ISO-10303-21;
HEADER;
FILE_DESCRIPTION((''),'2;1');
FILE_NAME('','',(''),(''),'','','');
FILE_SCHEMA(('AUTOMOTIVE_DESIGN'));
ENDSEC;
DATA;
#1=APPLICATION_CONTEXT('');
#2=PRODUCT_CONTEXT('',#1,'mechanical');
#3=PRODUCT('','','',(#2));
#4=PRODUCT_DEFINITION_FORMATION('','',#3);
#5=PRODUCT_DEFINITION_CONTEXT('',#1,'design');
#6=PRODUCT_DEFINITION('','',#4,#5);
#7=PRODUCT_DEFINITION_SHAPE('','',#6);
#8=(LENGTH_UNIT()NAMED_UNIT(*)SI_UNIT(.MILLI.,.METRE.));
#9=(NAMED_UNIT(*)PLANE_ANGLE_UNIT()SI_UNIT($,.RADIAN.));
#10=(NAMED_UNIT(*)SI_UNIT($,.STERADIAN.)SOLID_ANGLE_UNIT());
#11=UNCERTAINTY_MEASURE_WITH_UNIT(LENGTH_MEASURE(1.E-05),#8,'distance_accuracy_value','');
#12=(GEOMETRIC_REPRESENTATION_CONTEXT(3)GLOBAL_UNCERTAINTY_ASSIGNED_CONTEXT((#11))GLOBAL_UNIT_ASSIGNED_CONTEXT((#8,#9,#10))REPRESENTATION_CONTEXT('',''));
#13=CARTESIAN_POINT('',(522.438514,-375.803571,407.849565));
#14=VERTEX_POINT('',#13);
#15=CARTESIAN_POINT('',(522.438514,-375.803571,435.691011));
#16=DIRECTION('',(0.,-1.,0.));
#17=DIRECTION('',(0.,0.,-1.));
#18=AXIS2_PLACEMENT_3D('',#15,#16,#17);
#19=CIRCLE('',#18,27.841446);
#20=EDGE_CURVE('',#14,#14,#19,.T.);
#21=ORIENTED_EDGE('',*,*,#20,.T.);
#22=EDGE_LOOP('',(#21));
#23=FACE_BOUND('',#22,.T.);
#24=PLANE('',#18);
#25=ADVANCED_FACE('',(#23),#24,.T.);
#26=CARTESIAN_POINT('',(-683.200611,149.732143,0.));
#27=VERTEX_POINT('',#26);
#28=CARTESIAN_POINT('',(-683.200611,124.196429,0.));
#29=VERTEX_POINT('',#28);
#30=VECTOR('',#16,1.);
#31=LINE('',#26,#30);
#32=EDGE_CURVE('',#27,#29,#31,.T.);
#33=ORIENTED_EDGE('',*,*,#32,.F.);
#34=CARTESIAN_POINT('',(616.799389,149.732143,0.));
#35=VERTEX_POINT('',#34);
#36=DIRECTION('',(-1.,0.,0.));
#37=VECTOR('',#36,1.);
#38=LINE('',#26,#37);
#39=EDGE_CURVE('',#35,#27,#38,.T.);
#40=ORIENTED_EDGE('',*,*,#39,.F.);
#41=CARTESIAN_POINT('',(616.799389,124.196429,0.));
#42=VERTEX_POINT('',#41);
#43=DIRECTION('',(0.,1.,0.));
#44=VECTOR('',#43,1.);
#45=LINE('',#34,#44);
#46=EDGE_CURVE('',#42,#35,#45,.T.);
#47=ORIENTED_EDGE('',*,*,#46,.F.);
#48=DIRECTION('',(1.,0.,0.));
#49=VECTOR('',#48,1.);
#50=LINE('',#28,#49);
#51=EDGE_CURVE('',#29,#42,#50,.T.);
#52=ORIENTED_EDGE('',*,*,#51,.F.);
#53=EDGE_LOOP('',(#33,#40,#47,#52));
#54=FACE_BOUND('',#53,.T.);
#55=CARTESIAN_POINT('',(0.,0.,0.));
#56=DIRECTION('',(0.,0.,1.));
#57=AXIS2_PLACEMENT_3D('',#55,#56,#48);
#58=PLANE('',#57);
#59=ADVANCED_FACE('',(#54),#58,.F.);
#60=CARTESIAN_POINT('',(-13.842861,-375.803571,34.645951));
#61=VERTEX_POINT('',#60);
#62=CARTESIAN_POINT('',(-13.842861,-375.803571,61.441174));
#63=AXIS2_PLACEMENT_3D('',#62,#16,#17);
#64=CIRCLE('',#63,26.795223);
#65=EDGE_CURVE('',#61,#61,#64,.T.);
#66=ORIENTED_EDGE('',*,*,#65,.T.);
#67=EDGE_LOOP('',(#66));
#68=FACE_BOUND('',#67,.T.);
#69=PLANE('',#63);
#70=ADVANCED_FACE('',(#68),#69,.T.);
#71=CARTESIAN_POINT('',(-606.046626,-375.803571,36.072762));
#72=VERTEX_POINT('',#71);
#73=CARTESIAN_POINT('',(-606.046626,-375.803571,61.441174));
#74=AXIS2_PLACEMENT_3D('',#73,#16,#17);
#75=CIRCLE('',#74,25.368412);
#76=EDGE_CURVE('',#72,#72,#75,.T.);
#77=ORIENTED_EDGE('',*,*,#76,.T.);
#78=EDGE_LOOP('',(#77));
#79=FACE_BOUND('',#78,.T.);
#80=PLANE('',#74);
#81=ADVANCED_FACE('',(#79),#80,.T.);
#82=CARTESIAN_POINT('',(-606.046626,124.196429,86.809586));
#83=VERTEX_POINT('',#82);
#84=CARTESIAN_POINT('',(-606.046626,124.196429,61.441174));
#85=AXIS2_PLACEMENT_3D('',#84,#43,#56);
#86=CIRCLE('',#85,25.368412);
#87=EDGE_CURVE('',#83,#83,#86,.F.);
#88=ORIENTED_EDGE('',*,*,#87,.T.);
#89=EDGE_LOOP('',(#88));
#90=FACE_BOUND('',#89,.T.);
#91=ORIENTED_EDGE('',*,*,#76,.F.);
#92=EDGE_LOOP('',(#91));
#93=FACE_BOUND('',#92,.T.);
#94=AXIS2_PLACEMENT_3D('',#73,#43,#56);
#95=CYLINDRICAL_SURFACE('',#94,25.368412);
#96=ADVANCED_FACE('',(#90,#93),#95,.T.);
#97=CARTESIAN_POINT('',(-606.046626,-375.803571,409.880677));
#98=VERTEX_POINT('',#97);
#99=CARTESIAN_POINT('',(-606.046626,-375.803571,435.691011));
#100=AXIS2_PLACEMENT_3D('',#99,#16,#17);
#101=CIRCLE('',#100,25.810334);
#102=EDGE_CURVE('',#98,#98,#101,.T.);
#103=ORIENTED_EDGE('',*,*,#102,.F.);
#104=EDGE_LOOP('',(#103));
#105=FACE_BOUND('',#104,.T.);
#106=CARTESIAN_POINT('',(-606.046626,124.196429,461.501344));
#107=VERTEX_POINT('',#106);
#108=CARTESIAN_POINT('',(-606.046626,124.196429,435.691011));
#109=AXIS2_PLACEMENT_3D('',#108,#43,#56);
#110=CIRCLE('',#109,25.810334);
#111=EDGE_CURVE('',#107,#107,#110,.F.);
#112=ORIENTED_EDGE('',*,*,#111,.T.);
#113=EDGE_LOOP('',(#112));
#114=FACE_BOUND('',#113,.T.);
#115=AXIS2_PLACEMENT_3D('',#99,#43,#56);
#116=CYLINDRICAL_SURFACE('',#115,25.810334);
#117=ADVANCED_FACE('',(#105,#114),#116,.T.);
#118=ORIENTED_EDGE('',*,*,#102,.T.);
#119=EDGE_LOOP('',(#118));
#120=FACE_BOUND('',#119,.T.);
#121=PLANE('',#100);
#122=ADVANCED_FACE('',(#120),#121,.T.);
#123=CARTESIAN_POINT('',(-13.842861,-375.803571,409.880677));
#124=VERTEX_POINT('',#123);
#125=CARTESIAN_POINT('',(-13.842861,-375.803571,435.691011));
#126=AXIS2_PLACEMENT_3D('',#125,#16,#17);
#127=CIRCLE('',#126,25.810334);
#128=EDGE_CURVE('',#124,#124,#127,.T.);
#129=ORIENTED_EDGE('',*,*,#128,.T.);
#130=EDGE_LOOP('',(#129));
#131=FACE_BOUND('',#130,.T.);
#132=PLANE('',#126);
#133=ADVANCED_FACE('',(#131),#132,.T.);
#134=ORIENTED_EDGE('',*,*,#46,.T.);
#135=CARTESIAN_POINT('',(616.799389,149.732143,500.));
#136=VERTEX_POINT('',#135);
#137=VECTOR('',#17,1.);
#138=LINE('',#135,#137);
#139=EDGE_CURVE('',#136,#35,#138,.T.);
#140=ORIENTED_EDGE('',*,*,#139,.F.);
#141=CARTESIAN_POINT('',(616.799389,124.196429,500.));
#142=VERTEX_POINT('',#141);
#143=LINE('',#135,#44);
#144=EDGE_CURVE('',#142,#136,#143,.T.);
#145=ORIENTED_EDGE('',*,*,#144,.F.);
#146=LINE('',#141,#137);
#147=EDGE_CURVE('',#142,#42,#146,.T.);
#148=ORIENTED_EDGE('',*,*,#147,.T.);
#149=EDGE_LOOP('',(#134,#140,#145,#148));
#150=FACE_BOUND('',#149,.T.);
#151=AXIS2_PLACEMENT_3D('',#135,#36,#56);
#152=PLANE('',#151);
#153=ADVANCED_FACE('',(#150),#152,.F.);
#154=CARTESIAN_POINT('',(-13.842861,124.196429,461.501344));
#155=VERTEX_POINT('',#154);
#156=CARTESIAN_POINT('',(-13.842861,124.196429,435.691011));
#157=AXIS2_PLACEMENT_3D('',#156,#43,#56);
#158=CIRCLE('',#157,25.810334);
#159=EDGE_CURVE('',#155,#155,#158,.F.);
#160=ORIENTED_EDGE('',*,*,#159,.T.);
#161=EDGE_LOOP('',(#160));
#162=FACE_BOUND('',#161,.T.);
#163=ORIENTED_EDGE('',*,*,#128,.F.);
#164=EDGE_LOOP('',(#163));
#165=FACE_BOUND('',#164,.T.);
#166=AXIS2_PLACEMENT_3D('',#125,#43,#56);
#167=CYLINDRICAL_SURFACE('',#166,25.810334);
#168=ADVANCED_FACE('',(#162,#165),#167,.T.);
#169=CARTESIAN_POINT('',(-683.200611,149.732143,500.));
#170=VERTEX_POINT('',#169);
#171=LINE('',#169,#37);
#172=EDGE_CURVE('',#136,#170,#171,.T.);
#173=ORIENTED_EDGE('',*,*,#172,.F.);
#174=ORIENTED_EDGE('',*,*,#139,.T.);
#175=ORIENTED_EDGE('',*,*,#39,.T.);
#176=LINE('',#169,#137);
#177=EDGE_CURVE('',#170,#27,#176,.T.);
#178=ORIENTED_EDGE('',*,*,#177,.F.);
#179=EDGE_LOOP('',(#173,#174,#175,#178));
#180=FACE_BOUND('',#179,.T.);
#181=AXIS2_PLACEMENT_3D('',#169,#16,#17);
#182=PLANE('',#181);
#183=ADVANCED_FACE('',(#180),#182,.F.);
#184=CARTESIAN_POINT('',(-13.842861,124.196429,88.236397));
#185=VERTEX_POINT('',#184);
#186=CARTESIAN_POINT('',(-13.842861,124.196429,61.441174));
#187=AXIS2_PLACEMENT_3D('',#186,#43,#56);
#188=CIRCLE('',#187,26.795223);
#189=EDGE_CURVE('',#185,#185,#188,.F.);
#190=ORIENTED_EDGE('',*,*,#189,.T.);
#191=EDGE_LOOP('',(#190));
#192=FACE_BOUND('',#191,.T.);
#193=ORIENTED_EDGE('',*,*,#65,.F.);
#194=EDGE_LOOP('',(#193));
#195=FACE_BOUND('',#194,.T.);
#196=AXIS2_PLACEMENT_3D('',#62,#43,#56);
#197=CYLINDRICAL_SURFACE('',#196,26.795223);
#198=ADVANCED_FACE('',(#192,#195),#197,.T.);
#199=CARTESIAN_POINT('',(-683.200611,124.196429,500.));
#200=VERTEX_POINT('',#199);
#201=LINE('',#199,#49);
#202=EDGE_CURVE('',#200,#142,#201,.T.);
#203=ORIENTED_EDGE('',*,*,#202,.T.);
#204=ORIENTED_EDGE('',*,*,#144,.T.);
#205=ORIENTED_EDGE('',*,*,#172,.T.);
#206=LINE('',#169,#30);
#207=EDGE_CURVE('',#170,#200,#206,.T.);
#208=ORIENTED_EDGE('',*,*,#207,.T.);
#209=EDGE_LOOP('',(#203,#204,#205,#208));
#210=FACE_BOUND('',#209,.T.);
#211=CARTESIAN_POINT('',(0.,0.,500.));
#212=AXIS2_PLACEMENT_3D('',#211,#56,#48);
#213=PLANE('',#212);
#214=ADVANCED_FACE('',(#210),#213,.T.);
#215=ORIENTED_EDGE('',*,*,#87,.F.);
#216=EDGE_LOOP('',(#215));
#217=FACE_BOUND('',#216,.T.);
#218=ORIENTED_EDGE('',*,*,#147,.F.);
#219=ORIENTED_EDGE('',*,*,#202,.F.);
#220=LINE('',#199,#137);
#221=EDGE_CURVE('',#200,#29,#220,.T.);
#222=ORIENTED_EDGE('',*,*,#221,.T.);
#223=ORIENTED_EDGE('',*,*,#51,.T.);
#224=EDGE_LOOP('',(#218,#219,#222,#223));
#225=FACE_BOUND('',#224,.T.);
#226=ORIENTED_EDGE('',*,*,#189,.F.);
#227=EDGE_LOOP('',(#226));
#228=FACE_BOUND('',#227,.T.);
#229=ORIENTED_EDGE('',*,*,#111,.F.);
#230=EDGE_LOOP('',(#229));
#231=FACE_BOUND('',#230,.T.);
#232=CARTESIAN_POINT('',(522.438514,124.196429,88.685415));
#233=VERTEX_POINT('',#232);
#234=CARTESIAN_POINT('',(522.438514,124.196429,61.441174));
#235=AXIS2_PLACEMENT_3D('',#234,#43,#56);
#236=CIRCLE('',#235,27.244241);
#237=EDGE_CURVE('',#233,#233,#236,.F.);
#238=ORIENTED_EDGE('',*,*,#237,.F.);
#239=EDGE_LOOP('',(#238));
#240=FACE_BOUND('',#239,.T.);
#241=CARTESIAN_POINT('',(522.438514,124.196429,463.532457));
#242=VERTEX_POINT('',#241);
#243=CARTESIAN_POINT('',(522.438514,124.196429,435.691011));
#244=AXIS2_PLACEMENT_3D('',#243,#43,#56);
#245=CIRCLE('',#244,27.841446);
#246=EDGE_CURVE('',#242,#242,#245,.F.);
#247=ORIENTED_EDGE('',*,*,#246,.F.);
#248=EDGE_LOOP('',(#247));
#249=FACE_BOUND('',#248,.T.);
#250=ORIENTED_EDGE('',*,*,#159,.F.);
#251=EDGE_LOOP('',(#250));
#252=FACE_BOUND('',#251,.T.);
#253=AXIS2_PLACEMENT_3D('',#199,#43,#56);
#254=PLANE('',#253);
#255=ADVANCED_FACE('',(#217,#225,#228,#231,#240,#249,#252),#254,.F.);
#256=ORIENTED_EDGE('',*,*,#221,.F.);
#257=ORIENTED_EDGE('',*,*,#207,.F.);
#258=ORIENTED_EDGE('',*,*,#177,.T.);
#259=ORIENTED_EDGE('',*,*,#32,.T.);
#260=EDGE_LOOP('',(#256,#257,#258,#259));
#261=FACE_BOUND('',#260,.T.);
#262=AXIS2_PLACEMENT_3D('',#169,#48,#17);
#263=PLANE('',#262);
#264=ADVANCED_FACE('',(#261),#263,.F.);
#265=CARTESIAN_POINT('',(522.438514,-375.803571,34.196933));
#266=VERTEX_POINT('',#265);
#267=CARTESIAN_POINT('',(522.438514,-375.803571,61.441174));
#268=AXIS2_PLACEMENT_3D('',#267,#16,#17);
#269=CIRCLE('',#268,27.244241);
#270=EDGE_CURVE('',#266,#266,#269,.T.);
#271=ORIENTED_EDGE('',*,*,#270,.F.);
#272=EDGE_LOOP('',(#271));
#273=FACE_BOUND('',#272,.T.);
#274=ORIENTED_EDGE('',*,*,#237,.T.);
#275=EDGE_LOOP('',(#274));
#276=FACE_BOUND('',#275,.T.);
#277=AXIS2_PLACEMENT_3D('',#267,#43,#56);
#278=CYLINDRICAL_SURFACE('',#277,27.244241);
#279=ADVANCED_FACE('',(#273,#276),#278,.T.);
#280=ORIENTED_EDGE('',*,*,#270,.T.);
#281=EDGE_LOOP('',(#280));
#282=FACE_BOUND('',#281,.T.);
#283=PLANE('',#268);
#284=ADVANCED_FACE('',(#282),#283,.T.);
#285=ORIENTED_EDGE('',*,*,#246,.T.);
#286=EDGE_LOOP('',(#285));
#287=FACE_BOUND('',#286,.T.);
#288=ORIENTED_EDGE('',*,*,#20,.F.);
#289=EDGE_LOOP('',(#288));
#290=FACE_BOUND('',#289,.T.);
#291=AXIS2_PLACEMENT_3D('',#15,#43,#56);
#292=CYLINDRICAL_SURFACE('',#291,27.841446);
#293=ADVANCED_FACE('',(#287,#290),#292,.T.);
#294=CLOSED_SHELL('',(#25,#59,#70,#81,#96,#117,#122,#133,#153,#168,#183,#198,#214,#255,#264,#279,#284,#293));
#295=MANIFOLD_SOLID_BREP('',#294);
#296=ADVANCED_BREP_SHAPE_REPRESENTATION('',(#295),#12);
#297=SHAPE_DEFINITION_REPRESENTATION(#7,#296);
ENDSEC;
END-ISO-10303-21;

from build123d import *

# Parameters (mm, degrees)
CROQUIS1_W              = 1300
CROQUIS1_H              = 25.535714286
SALIENTE_EXTRUIR1_DEPTH = 500
CROQUIS2_R              = 25.810333558
CROQUIS2_R_2            = 25.368411914
CROQUIS2_R_3            = 27.841445981
CROQUIS2_R_4            = 26.795222898
CROQUIS2_R_5            = 27.244240978
SALIENTE_EXTRUIR2_DEPTH = 500


with BuildPart() as part:
    # Croquis1 → Saliente-Extruir1 (new body)
    with BuildSketch(Plane.XY):
        with Locations((-33.200611326, 136.964285714)):
            Rectangle(CROQUIS1_W, CROQUIS1_H)
    extrude(amount=SALIENTE_EXTRUIR1_DEPTH)

    # Croquis2 → Saliente-Extruir2 (add)
    with BuildSketch(Plane.XZ.offset(-124.196428571)):
        with Locations((-606.046625582, 435.691010879)):
            Circle(CROQUIS2_R)
        with Locations((-606.046625582, 61.441174281)):
            Circle(CROQUIS2_R_2)
        with Locations((-13.842861157, 435.691010879)):
            Circle(CROQUIS2_R)
        with Locations((522.438513892, 435.691010879)):
            Circle(CROQUIS2_R_3)
        with Locations((-13.842861157, 61.441174281)):
            Circle(CROQUIS2_R_4)
        with Locations((522.438513892, 61.441174281)):
            Circle(CROQUIS2_R_5)
    extrude(amount=SALIENTE_EXTRUIR2_DEPTH)


solid = part.part
